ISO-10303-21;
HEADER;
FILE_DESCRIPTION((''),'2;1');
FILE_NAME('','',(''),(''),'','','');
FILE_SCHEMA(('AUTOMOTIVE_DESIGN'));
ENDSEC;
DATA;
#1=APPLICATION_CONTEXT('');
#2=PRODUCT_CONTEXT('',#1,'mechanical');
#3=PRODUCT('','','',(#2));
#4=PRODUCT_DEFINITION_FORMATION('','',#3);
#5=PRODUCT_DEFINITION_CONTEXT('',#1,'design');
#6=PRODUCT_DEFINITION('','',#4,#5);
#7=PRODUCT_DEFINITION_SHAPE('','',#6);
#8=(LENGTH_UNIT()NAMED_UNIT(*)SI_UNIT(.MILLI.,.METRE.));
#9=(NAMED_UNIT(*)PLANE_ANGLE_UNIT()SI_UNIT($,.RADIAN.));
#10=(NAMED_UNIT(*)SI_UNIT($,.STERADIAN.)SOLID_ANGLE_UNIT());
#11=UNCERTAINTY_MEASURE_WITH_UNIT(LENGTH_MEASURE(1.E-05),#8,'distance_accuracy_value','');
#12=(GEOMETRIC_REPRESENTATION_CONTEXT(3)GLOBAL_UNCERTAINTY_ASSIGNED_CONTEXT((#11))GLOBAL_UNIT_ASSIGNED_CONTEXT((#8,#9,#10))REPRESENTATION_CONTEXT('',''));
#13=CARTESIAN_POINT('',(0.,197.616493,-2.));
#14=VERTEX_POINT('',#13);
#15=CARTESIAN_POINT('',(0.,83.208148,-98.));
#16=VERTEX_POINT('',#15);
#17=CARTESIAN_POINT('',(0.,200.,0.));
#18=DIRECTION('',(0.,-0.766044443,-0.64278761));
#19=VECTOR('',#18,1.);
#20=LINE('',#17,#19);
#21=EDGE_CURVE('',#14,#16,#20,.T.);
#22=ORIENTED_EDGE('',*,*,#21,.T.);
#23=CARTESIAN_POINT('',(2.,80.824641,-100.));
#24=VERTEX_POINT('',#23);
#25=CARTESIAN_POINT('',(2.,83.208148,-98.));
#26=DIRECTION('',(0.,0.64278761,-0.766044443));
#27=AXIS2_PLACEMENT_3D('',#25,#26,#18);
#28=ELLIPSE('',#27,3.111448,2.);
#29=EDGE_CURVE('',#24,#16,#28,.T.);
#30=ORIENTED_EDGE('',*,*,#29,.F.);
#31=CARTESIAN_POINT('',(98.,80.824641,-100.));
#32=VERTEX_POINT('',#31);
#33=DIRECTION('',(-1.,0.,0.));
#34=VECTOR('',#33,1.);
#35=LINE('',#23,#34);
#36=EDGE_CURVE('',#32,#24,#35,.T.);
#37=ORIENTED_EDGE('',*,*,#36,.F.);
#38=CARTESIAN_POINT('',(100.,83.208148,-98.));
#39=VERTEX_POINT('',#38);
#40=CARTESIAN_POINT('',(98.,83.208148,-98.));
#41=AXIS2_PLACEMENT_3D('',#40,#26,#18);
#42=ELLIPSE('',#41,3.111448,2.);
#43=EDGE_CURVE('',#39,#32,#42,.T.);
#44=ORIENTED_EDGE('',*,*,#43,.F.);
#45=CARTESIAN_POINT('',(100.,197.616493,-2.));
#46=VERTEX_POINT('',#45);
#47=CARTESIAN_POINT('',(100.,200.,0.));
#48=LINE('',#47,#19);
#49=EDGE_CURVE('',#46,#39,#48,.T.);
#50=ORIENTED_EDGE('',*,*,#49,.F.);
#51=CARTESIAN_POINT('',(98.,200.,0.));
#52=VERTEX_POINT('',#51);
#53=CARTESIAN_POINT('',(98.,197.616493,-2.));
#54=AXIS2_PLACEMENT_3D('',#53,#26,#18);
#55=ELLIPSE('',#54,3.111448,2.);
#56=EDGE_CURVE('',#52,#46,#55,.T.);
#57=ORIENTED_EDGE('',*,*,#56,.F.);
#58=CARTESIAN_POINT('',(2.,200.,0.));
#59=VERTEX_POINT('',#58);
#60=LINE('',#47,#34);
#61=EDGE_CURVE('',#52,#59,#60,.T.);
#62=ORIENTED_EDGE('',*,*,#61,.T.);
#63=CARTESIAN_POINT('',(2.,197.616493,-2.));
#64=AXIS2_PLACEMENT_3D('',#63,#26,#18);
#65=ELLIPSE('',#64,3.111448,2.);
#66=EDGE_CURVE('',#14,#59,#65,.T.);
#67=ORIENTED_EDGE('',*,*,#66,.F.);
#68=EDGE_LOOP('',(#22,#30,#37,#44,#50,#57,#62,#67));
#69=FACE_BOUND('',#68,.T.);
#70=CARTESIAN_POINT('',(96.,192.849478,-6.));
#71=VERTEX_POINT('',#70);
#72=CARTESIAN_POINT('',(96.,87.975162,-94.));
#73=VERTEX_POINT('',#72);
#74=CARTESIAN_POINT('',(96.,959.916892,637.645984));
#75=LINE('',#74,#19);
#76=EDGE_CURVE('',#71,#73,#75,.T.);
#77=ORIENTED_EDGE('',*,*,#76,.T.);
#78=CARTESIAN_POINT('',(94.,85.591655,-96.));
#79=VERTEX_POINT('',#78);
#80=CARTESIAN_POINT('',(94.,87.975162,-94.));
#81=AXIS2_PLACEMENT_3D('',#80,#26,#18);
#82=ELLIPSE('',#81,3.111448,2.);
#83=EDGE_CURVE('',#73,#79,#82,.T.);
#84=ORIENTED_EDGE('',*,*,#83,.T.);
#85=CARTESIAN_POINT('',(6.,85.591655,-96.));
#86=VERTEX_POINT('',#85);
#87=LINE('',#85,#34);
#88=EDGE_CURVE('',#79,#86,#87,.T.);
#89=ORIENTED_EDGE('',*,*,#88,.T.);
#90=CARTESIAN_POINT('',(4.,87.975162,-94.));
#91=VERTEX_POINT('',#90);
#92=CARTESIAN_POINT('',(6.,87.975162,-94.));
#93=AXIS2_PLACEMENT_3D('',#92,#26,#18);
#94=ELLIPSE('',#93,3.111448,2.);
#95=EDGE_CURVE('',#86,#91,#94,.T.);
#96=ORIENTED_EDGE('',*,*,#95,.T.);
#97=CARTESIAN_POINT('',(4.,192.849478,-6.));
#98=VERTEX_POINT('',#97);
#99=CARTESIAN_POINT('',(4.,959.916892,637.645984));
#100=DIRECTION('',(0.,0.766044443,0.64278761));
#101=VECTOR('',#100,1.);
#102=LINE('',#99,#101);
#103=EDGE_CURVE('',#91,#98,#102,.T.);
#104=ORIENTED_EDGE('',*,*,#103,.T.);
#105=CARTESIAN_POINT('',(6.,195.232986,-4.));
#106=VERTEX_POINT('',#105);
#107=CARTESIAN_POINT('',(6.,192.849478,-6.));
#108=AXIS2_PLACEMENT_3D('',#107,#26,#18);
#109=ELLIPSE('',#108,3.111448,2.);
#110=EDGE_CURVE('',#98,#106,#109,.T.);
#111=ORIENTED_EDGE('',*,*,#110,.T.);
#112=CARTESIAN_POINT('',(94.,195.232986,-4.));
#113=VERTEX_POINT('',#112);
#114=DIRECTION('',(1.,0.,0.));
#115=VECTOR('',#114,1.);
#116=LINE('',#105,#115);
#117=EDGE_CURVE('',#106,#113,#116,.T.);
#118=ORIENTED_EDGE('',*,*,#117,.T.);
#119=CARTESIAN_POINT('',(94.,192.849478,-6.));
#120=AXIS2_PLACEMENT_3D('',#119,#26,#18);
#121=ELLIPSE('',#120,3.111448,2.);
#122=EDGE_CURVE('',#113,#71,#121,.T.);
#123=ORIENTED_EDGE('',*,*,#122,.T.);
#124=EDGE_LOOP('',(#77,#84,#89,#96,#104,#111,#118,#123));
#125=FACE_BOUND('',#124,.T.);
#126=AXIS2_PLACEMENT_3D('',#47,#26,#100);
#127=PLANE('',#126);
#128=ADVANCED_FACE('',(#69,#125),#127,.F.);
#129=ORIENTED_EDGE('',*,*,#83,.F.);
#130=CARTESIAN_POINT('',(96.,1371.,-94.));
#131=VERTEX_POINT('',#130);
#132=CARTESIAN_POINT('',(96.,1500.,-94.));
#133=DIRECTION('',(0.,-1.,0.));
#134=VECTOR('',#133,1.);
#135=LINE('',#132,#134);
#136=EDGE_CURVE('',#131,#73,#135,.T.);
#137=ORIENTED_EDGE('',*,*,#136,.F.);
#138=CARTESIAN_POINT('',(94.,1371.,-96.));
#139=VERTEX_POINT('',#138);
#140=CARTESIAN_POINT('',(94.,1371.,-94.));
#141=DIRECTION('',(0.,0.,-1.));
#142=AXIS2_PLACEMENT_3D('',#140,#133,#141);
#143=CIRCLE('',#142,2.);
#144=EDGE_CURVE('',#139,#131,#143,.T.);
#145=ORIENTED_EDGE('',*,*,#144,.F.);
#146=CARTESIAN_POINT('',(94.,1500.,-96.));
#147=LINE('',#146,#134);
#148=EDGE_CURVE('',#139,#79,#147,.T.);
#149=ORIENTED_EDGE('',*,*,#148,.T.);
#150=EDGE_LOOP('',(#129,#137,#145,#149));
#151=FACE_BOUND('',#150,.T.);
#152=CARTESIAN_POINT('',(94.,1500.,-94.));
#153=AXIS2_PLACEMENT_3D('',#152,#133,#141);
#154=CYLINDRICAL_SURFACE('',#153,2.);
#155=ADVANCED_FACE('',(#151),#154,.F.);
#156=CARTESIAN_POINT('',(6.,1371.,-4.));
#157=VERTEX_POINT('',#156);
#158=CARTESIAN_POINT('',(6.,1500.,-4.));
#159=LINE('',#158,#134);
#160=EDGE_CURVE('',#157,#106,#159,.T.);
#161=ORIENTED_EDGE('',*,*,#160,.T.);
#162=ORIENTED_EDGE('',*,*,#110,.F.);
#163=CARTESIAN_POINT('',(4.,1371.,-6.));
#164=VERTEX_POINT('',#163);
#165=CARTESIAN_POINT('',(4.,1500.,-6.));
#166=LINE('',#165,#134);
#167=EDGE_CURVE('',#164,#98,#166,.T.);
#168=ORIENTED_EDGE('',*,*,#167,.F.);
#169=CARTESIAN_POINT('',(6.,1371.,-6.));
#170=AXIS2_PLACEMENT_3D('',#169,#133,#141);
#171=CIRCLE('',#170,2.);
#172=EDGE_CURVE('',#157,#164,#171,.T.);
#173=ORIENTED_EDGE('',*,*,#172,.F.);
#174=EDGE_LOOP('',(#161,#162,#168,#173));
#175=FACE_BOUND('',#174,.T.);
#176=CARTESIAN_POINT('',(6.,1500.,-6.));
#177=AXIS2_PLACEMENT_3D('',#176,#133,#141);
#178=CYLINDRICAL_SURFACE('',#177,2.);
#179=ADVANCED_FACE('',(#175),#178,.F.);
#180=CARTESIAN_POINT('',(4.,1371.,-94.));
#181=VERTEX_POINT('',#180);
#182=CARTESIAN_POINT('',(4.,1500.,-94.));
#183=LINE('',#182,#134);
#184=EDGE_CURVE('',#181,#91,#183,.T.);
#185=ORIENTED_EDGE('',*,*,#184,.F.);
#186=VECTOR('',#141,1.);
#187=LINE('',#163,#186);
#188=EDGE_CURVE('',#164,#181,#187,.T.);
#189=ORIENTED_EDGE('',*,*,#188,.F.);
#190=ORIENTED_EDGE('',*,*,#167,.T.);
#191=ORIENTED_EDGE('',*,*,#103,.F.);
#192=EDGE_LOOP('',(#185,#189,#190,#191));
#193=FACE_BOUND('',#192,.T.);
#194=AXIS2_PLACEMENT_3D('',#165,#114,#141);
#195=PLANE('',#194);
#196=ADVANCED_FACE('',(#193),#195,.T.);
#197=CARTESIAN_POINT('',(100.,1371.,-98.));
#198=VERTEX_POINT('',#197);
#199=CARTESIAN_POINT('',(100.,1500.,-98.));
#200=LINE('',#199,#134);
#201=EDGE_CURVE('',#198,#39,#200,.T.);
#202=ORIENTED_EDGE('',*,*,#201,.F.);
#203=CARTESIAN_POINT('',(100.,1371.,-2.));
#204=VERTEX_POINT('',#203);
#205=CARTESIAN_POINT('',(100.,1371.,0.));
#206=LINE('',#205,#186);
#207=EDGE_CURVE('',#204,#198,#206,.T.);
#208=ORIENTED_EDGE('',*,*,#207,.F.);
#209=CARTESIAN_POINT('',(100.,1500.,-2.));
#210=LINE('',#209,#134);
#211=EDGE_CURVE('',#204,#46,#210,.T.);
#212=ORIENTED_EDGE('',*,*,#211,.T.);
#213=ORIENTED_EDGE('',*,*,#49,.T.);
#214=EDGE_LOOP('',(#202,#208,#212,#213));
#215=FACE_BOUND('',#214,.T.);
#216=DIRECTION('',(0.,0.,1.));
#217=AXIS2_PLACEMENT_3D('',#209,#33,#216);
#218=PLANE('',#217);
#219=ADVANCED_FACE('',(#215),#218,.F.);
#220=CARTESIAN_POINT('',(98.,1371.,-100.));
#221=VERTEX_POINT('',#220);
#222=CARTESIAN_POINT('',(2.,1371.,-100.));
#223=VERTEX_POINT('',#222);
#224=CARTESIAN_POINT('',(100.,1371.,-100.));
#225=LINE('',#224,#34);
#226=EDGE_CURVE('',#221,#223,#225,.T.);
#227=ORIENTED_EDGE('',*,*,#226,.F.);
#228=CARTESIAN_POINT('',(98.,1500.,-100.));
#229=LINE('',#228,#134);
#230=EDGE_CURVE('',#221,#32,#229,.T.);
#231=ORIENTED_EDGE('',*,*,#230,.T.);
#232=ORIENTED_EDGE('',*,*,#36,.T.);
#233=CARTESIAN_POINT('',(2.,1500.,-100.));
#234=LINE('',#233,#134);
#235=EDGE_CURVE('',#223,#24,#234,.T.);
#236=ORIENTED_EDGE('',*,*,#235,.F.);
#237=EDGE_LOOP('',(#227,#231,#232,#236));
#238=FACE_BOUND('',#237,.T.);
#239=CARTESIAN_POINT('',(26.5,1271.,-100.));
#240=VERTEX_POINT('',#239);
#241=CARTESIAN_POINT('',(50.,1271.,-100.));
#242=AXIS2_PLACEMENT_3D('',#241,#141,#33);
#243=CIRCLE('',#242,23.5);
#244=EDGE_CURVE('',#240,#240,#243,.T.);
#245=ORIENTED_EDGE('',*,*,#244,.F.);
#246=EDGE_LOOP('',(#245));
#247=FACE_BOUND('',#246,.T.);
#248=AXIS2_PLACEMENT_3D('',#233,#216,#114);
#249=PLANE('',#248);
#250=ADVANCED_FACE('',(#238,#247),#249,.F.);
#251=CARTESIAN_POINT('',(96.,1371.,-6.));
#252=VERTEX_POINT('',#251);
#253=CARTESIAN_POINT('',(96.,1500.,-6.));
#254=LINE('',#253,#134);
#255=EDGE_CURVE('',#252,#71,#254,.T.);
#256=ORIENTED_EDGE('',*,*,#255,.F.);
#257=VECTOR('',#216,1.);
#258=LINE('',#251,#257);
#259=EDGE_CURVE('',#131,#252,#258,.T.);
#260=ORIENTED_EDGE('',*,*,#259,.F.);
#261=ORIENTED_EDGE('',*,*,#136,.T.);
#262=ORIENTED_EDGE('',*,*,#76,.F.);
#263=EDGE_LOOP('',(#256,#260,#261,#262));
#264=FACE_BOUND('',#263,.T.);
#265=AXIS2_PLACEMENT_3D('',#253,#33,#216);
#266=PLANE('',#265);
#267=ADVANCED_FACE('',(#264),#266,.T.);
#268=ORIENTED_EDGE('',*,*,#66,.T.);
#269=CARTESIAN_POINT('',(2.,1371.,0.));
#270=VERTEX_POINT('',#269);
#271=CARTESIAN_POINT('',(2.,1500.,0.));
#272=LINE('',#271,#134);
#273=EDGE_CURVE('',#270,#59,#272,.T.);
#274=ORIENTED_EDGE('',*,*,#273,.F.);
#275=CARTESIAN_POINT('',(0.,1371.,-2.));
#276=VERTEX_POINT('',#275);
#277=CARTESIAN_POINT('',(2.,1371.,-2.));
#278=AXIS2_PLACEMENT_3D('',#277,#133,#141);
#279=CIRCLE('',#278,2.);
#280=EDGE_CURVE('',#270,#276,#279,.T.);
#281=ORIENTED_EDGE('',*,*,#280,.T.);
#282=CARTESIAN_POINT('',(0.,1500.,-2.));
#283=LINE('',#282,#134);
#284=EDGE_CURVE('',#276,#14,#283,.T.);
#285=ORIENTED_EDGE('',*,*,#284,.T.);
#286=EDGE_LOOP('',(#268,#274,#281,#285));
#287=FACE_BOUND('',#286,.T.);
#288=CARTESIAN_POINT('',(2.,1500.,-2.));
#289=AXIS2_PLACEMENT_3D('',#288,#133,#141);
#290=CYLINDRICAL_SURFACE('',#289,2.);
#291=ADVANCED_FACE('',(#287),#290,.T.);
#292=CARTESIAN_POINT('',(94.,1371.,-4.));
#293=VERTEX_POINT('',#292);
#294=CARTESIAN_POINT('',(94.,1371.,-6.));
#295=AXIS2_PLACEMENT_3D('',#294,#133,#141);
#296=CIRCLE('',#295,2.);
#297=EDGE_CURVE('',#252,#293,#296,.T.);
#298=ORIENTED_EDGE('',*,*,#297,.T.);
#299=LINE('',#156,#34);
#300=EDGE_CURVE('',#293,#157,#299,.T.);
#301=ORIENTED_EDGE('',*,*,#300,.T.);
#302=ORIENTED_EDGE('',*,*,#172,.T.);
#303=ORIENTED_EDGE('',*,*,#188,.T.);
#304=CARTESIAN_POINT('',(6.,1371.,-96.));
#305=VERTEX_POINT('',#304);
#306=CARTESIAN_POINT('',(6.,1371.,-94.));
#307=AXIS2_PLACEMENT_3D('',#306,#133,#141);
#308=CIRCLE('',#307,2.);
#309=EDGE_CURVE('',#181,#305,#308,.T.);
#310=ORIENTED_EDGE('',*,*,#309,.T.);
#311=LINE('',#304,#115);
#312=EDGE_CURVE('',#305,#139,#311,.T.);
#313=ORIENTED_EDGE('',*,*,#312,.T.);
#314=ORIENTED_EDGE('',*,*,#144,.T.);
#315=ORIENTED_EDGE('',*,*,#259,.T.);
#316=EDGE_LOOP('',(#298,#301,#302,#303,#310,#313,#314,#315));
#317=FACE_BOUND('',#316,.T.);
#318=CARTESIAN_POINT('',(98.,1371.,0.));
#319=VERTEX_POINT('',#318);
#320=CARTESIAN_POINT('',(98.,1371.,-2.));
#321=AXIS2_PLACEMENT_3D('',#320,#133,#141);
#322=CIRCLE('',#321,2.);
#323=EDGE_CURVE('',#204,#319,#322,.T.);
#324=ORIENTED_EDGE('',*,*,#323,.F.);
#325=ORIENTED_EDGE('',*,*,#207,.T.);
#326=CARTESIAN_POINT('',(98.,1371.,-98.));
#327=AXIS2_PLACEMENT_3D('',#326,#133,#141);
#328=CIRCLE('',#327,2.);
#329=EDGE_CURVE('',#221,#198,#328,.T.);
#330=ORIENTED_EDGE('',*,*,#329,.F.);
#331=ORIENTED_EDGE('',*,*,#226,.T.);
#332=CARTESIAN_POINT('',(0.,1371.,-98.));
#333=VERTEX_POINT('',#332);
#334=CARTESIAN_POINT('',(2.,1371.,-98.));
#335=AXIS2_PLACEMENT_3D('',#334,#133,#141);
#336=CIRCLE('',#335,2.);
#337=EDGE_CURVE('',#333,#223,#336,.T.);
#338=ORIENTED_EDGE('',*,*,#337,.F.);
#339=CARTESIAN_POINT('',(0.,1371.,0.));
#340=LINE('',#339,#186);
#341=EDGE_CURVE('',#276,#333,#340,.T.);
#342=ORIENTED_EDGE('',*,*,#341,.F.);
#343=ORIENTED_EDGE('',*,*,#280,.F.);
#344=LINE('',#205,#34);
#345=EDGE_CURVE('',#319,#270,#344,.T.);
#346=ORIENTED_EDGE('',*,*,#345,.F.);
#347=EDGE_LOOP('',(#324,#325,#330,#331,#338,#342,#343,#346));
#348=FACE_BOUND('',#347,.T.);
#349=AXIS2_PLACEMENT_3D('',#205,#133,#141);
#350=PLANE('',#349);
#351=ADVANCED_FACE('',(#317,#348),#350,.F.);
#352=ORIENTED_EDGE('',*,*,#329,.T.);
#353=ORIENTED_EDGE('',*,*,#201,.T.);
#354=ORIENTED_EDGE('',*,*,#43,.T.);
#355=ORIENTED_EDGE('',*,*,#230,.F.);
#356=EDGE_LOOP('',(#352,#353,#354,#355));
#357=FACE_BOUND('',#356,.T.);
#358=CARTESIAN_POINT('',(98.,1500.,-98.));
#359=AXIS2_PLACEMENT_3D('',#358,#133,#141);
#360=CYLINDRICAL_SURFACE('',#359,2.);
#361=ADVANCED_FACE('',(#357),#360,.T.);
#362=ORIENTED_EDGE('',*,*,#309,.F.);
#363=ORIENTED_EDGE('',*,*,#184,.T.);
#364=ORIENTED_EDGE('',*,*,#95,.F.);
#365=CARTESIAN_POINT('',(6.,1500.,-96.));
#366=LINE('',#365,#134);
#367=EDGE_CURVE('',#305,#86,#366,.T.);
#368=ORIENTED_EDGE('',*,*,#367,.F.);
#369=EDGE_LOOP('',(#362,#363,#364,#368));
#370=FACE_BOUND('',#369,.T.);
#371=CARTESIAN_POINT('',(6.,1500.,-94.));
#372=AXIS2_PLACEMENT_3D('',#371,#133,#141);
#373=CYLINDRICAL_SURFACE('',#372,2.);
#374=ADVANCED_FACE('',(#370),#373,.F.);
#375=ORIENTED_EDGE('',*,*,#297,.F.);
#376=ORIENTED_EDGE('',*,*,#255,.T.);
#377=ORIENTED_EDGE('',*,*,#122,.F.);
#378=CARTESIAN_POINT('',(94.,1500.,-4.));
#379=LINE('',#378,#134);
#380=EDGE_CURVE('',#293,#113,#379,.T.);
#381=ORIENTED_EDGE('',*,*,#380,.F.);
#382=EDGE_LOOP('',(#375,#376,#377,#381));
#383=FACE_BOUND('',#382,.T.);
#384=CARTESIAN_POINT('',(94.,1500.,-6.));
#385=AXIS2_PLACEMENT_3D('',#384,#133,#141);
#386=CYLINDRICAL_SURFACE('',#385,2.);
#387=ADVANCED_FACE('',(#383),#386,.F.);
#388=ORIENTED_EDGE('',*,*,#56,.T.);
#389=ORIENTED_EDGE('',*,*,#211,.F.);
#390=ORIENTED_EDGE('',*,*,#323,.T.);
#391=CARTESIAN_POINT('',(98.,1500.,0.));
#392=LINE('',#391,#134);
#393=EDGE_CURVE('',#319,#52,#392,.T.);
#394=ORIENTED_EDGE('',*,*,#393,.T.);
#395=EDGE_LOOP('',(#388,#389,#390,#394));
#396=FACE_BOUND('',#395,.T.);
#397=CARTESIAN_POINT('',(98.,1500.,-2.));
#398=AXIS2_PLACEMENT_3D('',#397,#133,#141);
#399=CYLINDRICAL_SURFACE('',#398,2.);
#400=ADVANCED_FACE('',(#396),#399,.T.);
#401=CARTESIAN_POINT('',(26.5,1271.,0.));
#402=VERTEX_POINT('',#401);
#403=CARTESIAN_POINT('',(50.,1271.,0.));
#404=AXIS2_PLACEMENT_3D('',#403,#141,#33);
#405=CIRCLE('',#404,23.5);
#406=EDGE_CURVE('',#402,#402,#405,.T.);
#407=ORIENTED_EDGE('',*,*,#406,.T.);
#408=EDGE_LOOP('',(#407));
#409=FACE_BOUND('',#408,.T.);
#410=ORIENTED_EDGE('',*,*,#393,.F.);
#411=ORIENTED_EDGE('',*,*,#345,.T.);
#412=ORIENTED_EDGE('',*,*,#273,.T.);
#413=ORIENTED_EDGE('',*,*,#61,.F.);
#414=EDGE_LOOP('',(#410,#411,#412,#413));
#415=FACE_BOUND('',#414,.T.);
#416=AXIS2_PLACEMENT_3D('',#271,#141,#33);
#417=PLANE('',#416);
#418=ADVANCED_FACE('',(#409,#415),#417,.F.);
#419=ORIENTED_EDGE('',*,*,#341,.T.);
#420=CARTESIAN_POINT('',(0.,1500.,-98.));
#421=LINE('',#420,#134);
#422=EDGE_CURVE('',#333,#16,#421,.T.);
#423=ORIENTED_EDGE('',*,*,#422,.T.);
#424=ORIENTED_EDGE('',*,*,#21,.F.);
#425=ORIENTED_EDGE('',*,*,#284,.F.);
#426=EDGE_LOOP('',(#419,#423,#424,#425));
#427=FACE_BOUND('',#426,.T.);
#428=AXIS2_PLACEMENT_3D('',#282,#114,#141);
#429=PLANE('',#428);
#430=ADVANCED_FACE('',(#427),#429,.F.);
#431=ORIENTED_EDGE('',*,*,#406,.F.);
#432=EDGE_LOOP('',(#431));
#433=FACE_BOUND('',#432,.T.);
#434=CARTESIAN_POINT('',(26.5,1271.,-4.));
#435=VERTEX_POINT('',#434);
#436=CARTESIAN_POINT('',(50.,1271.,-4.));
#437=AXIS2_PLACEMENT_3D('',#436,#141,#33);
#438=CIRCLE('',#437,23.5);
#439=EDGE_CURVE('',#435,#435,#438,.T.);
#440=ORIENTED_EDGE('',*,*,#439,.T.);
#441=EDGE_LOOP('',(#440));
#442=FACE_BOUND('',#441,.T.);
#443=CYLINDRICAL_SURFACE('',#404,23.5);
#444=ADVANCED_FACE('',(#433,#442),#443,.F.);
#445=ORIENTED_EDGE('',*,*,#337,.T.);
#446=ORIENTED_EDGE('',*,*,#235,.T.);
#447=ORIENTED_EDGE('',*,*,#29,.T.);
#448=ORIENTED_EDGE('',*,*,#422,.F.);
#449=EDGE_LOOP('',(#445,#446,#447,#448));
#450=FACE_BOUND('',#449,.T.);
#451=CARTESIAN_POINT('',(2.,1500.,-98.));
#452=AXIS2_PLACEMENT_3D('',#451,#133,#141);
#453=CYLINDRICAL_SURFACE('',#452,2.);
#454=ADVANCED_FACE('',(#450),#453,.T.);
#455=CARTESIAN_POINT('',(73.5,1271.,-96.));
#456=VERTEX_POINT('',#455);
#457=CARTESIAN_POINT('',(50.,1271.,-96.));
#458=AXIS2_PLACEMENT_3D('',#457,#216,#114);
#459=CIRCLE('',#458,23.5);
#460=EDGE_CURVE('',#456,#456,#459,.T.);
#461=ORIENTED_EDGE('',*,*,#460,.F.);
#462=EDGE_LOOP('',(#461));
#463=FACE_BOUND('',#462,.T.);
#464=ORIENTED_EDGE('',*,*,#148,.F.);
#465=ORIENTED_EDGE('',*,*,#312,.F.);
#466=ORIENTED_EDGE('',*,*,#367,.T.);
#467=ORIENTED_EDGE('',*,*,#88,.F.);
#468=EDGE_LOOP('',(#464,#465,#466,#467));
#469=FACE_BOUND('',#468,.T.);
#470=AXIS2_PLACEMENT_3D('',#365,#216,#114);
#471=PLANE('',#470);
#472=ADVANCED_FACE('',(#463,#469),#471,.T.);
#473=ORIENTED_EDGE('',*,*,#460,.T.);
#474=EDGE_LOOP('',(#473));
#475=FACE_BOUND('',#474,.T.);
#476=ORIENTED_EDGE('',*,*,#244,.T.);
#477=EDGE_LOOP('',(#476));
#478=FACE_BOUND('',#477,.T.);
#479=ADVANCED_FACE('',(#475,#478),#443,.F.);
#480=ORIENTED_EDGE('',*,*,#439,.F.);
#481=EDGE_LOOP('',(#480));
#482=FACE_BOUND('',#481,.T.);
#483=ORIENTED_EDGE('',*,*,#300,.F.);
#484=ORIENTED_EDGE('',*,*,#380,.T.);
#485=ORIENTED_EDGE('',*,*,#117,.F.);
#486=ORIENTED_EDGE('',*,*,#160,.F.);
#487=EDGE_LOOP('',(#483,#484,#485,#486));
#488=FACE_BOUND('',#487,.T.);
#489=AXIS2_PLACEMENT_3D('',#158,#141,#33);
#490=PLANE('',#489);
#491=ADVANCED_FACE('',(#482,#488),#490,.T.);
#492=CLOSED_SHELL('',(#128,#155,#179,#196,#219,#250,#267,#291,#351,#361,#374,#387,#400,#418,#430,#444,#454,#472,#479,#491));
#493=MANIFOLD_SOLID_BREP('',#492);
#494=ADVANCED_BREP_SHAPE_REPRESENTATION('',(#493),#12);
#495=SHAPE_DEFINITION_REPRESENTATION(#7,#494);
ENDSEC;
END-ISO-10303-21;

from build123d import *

# Parameters (mm, degrees)
BOSS_EXTRU_1_DEPTH      = 1500
ENL_V_MAT_EXTRU_1_DEPTH = 1507.651917332
ESQUISSE5_R             = 23.5
ENL_V_MAT_EXTRU_2_DEPTH = 1507.651917332
ESQUISSE6_W             = 100
ESQUISSE6_H             = 129
ENL_V_MAT_EXTRU_3_DEPTH = 1507.651917332


with BuildPart() as part:
    # Esquisse2 → Boss.-Extru.1 (new body)
    with BuildSketch(Plane(origin=(0, 0, 0), x_dir=(1, 0, 0), z_dir=(0, 1, 0))):
        with BuildLine():
            Line((2, 0), (98, 0))
            ThreePointArc((98, 0), (99.414213562, 0.585786438), (100, 2))
            Line((100, 2), (100, 98))
            ThreePointArc((100, 98), (99.414213562, 99.414213562), (98, 100))
            Line((98, 100), (2, 100))
            ThreePointArc((2, 100), (0.585786438, 99.414213562), (0, 98))
            Line((0, 98), (0, 2))
            ThreePointArc((0, 2), (0.585786438, 0.585786438), (2, 0))
        make_face()
        with BuildLine():
            Line((6, 96), (94, 96))
            ThreePointArc((94, 96), (95.414213562, 95.414213562), (96, 94))
            Line((96, 94), (96, 6))
            ThreePointArc((96, 6), (95.414213562, 4.585786438), (94, 4))
            Line((94, 4), (6, 4))
            ThreePointArc((6, 4), (4.585786438, 4.585786438), (4, 6))
            Line((4, 6), (4, 94))
            ThreePointArc((4, 94), (4.585786438, 95.414213562), (6, 96))
        make_face(mode=Mode.SUBTRACT)
    extrude(amount=BOSS_EXTRU_1_DEPTH)

    # Esquisse4 → Enlèv. mat.-Extru.1 (cut, through all)
    with BuildSketch(Plane.ZY):
        Polygon((0, 200), (-206.800963523, -46.455791231), (114.552024245, -46.455791231), (114.552024245, 200), align=None)
    extrude(amount=-ENL_V_MAT_EXTRU_1_DEPTH, mode=Mode.SUBTRACT)

    # Esquisse5 → Enlèv. mat.-Extru.2 (cut, through all)
    with BuildSketch(Plane(origin=(0, 0, -100), x_dir=(-1, 0, 0), z_dir=(0, 0, -1))):
        with Locations((-50, 1271)):
            Circle(ESQUISSE5_R)
    extrude(amount=-ENL_V_MAT_EXTRU_2_DEPTH, mode=Mode.SUBTRACT)

    # Esquisse6 → Enlèv. mat.-Extru.3 (cut, through all)
    with BuildSketch(Plane(origin=(0, 0, -100), x_dir=(-1, 0, 0), z_dir=(0, 0, -1))):
        with Locations((-50, 1435.5)):
            Rectangle(ESQUISSE6_W, ESQUISSE6_H)
    extrude(amount=-ENL_V_MAT_EXTRU_3_DEPTH, mode=Mode.SUBTRACT)


solid = part.part
